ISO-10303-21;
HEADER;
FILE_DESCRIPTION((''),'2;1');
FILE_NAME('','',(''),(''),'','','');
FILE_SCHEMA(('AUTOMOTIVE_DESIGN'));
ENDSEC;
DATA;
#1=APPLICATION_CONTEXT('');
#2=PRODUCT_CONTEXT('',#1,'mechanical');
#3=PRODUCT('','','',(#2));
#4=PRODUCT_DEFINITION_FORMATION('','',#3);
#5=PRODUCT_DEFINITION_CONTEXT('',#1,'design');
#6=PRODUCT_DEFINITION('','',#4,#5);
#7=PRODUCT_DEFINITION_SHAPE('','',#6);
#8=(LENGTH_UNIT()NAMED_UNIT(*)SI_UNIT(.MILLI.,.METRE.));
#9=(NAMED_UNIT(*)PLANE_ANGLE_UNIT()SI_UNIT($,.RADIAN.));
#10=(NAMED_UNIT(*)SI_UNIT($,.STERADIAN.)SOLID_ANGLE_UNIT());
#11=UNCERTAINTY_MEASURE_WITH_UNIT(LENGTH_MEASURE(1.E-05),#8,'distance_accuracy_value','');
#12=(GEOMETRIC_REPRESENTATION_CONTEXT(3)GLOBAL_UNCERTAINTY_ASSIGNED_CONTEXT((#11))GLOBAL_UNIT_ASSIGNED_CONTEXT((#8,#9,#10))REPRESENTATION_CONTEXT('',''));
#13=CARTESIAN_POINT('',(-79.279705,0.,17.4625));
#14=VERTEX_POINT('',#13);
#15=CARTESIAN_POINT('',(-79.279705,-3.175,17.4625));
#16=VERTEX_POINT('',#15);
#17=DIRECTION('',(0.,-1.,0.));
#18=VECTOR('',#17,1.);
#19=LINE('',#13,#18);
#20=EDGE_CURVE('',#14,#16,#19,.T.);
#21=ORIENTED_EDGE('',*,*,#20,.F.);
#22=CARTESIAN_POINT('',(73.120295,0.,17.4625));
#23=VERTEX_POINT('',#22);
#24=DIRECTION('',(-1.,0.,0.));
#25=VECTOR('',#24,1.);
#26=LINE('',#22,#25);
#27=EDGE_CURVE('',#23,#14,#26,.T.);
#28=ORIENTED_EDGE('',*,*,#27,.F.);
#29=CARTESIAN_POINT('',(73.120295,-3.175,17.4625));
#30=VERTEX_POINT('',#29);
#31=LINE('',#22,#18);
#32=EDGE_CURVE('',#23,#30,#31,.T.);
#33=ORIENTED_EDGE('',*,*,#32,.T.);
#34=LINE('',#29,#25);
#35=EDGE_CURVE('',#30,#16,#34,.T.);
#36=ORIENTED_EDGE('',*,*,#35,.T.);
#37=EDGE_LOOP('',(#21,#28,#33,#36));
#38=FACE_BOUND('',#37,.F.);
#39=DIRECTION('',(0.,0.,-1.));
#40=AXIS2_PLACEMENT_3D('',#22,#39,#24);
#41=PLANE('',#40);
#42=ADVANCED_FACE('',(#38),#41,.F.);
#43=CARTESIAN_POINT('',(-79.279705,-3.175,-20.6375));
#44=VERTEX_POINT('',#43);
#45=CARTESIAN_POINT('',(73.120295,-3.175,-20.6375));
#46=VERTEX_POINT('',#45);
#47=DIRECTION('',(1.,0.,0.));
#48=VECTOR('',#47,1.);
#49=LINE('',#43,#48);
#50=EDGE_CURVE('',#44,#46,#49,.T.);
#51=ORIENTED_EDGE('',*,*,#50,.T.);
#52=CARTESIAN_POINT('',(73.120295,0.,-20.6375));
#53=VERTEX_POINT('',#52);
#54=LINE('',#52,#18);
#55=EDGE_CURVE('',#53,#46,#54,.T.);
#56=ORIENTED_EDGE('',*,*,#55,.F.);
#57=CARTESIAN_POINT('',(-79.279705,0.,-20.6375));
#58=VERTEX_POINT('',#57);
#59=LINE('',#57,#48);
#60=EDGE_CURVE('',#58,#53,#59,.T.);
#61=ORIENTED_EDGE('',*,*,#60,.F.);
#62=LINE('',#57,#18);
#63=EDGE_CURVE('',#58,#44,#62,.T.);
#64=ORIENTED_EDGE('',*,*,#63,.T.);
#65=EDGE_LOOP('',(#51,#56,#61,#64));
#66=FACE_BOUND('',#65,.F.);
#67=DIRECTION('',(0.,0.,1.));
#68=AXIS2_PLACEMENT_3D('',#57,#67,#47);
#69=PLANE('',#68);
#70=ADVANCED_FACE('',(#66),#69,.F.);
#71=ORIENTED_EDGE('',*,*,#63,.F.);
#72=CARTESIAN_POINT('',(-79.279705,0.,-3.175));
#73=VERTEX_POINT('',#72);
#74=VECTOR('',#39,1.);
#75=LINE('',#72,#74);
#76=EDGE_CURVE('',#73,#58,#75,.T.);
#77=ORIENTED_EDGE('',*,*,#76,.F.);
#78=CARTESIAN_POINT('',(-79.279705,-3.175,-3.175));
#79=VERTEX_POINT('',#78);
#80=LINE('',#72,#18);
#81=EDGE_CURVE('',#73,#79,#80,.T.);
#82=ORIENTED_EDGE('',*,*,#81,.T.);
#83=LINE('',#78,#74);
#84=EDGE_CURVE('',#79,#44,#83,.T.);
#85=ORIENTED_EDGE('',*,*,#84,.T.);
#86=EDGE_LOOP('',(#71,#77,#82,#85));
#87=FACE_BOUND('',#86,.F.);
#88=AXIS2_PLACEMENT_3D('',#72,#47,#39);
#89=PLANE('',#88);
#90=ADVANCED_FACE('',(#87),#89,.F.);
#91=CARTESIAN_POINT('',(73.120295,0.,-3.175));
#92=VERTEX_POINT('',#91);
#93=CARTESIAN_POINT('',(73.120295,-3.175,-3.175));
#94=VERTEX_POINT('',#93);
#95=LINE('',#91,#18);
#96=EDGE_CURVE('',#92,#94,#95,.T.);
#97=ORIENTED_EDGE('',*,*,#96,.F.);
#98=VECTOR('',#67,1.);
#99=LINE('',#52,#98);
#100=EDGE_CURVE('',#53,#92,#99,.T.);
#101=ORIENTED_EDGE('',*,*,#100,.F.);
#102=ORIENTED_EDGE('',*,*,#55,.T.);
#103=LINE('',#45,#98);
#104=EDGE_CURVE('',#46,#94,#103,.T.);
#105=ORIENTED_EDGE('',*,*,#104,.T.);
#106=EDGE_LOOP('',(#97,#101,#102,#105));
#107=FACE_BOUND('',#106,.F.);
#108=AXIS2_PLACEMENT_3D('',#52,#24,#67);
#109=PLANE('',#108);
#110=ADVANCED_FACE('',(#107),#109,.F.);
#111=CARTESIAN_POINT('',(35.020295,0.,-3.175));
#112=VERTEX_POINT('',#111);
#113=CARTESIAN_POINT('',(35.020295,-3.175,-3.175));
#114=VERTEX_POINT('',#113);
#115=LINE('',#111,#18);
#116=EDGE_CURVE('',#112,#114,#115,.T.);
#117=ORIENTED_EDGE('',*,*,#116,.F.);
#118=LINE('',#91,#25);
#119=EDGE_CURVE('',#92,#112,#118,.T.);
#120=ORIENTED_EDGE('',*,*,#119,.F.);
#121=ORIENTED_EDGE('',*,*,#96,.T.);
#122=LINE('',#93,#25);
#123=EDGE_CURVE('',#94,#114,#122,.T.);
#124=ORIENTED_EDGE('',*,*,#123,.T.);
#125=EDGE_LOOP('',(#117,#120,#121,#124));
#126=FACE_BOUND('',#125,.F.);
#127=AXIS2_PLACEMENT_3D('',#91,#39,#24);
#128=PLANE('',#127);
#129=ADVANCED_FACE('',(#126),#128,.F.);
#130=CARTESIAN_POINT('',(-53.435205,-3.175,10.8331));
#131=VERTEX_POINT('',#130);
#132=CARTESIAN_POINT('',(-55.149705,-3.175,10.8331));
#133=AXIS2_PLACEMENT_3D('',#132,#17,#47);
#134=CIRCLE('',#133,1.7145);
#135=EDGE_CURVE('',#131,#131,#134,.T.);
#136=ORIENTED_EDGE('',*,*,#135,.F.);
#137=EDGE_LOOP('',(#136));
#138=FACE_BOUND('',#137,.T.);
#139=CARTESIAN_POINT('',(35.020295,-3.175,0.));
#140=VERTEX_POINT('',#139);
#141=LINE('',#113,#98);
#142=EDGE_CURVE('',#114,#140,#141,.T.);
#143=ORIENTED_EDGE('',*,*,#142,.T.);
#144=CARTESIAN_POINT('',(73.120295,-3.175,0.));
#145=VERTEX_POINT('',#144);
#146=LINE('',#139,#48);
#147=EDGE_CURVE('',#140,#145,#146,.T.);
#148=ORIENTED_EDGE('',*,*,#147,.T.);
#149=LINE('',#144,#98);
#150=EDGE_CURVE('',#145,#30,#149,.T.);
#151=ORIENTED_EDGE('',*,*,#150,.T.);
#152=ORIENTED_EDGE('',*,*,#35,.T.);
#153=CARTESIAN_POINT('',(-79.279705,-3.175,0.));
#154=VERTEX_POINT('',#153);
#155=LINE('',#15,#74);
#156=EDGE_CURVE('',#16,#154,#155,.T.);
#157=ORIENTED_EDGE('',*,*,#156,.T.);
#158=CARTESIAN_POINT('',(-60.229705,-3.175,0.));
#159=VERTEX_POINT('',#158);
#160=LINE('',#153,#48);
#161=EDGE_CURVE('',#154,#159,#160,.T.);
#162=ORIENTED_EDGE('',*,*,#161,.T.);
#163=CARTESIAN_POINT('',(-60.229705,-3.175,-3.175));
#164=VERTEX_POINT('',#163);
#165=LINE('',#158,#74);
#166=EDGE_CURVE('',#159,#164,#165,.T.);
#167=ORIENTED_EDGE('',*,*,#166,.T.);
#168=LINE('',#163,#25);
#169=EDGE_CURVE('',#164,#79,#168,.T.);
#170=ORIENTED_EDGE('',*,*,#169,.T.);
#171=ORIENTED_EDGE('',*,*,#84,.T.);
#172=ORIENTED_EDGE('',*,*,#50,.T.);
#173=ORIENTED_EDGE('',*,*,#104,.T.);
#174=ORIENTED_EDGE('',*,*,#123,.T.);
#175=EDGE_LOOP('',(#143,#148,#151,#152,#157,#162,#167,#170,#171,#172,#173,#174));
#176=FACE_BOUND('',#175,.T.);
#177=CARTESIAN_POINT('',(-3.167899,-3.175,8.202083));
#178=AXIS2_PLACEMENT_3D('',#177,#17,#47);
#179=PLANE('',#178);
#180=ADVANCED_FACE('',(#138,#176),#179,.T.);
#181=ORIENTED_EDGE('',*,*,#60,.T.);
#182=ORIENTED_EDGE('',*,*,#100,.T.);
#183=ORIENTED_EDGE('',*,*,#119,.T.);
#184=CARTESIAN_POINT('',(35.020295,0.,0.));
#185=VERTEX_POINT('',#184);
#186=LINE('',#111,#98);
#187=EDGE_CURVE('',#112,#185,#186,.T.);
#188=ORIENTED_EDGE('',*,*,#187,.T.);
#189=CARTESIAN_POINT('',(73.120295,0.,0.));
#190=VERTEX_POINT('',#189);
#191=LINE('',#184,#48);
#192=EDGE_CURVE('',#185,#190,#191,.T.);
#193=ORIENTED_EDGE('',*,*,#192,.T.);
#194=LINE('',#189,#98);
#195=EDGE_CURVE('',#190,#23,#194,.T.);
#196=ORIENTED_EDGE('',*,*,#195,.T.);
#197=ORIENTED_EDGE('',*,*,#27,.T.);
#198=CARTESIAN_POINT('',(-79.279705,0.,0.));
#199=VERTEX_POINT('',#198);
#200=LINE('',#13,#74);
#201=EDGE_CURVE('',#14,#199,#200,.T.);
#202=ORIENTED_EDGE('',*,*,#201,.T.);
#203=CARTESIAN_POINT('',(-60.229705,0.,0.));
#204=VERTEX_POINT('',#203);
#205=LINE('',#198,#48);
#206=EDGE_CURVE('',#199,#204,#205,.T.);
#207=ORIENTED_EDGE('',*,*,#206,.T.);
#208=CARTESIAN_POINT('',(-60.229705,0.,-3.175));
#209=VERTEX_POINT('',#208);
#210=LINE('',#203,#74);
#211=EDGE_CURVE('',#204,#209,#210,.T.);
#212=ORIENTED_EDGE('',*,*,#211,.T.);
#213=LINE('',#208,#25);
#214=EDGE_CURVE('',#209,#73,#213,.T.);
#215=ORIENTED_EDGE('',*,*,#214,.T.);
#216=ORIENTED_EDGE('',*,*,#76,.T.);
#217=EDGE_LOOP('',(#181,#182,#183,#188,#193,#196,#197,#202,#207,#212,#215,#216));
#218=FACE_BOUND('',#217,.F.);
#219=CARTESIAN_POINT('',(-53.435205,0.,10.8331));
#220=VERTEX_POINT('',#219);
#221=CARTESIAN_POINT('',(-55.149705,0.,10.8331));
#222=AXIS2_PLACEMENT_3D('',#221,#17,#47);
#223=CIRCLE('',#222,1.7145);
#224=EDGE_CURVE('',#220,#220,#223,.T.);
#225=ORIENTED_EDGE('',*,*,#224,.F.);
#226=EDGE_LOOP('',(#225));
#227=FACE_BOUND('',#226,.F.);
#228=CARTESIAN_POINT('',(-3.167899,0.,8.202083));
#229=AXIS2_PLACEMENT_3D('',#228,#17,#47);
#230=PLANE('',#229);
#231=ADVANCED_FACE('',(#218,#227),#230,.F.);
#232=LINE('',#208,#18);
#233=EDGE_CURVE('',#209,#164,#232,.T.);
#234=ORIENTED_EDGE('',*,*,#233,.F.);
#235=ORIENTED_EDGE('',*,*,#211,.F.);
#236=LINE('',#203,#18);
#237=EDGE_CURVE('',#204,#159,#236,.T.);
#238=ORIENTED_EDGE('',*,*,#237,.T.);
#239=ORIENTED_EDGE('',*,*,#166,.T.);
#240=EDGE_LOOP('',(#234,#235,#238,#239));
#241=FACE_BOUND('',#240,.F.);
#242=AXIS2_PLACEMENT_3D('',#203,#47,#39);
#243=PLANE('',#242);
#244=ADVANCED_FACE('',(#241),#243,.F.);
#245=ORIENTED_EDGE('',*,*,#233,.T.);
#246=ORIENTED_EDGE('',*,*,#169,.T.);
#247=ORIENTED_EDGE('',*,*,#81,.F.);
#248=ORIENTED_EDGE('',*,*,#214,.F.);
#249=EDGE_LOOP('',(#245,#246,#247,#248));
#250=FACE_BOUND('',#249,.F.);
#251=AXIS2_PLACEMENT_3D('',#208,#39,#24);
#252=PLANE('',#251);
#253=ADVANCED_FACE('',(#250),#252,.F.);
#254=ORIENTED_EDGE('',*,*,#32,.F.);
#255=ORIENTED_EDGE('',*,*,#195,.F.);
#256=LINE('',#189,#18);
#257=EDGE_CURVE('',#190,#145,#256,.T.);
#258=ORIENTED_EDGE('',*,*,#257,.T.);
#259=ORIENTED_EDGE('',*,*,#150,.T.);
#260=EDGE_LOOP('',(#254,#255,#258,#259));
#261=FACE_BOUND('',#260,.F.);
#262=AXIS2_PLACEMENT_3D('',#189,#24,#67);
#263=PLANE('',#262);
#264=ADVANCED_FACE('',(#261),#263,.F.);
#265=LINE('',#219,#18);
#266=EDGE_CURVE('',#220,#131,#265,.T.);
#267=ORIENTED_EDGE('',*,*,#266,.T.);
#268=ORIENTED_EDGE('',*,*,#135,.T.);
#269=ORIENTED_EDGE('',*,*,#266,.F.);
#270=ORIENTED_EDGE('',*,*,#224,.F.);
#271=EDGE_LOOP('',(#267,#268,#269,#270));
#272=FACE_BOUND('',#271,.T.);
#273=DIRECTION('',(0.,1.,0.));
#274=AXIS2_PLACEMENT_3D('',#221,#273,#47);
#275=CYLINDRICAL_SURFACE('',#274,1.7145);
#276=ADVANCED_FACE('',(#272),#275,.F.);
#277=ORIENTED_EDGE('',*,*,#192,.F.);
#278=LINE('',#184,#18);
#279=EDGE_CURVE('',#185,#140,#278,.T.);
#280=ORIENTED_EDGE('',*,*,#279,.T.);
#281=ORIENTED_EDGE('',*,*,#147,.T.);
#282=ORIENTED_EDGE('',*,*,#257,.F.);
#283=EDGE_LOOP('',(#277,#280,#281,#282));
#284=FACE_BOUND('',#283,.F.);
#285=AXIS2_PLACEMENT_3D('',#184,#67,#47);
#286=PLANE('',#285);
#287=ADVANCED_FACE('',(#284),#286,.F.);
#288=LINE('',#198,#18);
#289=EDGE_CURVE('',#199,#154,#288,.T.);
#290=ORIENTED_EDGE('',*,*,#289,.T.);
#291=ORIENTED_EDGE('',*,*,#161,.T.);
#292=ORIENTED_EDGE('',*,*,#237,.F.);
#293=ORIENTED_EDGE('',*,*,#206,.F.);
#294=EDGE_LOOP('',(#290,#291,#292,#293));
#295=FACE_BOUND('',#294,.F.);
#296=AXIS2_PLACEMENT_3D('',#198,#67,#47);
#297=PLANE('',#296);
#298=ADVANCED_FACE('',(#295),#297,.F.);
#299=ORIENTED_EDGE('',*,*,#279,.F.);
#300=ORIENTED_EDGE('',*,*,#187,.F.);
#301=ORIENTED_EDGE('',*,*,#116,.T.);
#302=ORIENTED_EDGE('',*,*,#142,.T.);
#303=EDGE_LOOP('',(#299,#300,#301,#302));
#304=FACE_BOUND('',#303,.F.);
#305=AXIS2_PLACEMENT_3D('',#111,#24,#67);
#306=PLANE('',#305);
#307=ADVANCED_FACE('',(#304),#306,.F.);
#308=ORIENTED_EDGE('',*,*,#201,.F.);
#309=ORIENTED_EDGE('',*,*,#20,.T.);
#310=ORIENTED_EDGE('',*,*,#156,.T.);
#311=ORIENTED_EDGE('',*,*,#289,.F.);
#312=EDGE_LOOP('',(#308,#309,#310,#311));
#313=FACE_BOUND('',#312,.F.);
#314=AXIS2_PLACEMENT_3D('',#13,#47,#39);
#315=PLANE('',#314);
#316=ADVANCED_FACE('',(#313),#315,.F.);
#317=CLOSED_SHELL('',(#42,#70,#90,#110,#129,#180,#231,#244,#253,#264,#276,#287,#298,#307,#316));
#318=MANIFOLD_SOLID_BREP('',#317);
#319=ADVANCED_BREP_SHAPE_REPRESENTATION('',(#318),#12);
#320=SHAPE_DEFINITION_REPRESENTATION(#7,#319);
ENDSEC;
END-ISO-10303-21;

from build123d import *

# Parameters (mm, degrees)
F0_R     = 1.7145
F1_DEPTH = 3.175


with BuildPart() as f1:
    # F0 (on Front) → F1 (new body)
    with BuildSketch(Plane.XZ):
        Polygon((73.120295, 17.4625), (-79.279705, 17.4625), (-79.279705, 0), (-60.229705, 0), (-60.229705, -1.5875), (35.020295, -1.5875), (35.020295, 0), (47.720295, 0), (73.120295, 0), align=None)
        with Locations((-55.149705, 10.8331)):
            Circle(F0_R, mode=Mode.SUBTRACT)
        Polygon((-60.229705, -3.175), (-79.279705, -3.175), (-79.279705, -20.6375), (73.120295, -20.6375), (73.120295, -3.175), (47.720295, -3.175), (35.020295, -3.175), (35.020295, -1.5875), (-60.229705, -1.5875), align=None)
    extrude(amount=F1_DEPTH)


solid = f1.part
